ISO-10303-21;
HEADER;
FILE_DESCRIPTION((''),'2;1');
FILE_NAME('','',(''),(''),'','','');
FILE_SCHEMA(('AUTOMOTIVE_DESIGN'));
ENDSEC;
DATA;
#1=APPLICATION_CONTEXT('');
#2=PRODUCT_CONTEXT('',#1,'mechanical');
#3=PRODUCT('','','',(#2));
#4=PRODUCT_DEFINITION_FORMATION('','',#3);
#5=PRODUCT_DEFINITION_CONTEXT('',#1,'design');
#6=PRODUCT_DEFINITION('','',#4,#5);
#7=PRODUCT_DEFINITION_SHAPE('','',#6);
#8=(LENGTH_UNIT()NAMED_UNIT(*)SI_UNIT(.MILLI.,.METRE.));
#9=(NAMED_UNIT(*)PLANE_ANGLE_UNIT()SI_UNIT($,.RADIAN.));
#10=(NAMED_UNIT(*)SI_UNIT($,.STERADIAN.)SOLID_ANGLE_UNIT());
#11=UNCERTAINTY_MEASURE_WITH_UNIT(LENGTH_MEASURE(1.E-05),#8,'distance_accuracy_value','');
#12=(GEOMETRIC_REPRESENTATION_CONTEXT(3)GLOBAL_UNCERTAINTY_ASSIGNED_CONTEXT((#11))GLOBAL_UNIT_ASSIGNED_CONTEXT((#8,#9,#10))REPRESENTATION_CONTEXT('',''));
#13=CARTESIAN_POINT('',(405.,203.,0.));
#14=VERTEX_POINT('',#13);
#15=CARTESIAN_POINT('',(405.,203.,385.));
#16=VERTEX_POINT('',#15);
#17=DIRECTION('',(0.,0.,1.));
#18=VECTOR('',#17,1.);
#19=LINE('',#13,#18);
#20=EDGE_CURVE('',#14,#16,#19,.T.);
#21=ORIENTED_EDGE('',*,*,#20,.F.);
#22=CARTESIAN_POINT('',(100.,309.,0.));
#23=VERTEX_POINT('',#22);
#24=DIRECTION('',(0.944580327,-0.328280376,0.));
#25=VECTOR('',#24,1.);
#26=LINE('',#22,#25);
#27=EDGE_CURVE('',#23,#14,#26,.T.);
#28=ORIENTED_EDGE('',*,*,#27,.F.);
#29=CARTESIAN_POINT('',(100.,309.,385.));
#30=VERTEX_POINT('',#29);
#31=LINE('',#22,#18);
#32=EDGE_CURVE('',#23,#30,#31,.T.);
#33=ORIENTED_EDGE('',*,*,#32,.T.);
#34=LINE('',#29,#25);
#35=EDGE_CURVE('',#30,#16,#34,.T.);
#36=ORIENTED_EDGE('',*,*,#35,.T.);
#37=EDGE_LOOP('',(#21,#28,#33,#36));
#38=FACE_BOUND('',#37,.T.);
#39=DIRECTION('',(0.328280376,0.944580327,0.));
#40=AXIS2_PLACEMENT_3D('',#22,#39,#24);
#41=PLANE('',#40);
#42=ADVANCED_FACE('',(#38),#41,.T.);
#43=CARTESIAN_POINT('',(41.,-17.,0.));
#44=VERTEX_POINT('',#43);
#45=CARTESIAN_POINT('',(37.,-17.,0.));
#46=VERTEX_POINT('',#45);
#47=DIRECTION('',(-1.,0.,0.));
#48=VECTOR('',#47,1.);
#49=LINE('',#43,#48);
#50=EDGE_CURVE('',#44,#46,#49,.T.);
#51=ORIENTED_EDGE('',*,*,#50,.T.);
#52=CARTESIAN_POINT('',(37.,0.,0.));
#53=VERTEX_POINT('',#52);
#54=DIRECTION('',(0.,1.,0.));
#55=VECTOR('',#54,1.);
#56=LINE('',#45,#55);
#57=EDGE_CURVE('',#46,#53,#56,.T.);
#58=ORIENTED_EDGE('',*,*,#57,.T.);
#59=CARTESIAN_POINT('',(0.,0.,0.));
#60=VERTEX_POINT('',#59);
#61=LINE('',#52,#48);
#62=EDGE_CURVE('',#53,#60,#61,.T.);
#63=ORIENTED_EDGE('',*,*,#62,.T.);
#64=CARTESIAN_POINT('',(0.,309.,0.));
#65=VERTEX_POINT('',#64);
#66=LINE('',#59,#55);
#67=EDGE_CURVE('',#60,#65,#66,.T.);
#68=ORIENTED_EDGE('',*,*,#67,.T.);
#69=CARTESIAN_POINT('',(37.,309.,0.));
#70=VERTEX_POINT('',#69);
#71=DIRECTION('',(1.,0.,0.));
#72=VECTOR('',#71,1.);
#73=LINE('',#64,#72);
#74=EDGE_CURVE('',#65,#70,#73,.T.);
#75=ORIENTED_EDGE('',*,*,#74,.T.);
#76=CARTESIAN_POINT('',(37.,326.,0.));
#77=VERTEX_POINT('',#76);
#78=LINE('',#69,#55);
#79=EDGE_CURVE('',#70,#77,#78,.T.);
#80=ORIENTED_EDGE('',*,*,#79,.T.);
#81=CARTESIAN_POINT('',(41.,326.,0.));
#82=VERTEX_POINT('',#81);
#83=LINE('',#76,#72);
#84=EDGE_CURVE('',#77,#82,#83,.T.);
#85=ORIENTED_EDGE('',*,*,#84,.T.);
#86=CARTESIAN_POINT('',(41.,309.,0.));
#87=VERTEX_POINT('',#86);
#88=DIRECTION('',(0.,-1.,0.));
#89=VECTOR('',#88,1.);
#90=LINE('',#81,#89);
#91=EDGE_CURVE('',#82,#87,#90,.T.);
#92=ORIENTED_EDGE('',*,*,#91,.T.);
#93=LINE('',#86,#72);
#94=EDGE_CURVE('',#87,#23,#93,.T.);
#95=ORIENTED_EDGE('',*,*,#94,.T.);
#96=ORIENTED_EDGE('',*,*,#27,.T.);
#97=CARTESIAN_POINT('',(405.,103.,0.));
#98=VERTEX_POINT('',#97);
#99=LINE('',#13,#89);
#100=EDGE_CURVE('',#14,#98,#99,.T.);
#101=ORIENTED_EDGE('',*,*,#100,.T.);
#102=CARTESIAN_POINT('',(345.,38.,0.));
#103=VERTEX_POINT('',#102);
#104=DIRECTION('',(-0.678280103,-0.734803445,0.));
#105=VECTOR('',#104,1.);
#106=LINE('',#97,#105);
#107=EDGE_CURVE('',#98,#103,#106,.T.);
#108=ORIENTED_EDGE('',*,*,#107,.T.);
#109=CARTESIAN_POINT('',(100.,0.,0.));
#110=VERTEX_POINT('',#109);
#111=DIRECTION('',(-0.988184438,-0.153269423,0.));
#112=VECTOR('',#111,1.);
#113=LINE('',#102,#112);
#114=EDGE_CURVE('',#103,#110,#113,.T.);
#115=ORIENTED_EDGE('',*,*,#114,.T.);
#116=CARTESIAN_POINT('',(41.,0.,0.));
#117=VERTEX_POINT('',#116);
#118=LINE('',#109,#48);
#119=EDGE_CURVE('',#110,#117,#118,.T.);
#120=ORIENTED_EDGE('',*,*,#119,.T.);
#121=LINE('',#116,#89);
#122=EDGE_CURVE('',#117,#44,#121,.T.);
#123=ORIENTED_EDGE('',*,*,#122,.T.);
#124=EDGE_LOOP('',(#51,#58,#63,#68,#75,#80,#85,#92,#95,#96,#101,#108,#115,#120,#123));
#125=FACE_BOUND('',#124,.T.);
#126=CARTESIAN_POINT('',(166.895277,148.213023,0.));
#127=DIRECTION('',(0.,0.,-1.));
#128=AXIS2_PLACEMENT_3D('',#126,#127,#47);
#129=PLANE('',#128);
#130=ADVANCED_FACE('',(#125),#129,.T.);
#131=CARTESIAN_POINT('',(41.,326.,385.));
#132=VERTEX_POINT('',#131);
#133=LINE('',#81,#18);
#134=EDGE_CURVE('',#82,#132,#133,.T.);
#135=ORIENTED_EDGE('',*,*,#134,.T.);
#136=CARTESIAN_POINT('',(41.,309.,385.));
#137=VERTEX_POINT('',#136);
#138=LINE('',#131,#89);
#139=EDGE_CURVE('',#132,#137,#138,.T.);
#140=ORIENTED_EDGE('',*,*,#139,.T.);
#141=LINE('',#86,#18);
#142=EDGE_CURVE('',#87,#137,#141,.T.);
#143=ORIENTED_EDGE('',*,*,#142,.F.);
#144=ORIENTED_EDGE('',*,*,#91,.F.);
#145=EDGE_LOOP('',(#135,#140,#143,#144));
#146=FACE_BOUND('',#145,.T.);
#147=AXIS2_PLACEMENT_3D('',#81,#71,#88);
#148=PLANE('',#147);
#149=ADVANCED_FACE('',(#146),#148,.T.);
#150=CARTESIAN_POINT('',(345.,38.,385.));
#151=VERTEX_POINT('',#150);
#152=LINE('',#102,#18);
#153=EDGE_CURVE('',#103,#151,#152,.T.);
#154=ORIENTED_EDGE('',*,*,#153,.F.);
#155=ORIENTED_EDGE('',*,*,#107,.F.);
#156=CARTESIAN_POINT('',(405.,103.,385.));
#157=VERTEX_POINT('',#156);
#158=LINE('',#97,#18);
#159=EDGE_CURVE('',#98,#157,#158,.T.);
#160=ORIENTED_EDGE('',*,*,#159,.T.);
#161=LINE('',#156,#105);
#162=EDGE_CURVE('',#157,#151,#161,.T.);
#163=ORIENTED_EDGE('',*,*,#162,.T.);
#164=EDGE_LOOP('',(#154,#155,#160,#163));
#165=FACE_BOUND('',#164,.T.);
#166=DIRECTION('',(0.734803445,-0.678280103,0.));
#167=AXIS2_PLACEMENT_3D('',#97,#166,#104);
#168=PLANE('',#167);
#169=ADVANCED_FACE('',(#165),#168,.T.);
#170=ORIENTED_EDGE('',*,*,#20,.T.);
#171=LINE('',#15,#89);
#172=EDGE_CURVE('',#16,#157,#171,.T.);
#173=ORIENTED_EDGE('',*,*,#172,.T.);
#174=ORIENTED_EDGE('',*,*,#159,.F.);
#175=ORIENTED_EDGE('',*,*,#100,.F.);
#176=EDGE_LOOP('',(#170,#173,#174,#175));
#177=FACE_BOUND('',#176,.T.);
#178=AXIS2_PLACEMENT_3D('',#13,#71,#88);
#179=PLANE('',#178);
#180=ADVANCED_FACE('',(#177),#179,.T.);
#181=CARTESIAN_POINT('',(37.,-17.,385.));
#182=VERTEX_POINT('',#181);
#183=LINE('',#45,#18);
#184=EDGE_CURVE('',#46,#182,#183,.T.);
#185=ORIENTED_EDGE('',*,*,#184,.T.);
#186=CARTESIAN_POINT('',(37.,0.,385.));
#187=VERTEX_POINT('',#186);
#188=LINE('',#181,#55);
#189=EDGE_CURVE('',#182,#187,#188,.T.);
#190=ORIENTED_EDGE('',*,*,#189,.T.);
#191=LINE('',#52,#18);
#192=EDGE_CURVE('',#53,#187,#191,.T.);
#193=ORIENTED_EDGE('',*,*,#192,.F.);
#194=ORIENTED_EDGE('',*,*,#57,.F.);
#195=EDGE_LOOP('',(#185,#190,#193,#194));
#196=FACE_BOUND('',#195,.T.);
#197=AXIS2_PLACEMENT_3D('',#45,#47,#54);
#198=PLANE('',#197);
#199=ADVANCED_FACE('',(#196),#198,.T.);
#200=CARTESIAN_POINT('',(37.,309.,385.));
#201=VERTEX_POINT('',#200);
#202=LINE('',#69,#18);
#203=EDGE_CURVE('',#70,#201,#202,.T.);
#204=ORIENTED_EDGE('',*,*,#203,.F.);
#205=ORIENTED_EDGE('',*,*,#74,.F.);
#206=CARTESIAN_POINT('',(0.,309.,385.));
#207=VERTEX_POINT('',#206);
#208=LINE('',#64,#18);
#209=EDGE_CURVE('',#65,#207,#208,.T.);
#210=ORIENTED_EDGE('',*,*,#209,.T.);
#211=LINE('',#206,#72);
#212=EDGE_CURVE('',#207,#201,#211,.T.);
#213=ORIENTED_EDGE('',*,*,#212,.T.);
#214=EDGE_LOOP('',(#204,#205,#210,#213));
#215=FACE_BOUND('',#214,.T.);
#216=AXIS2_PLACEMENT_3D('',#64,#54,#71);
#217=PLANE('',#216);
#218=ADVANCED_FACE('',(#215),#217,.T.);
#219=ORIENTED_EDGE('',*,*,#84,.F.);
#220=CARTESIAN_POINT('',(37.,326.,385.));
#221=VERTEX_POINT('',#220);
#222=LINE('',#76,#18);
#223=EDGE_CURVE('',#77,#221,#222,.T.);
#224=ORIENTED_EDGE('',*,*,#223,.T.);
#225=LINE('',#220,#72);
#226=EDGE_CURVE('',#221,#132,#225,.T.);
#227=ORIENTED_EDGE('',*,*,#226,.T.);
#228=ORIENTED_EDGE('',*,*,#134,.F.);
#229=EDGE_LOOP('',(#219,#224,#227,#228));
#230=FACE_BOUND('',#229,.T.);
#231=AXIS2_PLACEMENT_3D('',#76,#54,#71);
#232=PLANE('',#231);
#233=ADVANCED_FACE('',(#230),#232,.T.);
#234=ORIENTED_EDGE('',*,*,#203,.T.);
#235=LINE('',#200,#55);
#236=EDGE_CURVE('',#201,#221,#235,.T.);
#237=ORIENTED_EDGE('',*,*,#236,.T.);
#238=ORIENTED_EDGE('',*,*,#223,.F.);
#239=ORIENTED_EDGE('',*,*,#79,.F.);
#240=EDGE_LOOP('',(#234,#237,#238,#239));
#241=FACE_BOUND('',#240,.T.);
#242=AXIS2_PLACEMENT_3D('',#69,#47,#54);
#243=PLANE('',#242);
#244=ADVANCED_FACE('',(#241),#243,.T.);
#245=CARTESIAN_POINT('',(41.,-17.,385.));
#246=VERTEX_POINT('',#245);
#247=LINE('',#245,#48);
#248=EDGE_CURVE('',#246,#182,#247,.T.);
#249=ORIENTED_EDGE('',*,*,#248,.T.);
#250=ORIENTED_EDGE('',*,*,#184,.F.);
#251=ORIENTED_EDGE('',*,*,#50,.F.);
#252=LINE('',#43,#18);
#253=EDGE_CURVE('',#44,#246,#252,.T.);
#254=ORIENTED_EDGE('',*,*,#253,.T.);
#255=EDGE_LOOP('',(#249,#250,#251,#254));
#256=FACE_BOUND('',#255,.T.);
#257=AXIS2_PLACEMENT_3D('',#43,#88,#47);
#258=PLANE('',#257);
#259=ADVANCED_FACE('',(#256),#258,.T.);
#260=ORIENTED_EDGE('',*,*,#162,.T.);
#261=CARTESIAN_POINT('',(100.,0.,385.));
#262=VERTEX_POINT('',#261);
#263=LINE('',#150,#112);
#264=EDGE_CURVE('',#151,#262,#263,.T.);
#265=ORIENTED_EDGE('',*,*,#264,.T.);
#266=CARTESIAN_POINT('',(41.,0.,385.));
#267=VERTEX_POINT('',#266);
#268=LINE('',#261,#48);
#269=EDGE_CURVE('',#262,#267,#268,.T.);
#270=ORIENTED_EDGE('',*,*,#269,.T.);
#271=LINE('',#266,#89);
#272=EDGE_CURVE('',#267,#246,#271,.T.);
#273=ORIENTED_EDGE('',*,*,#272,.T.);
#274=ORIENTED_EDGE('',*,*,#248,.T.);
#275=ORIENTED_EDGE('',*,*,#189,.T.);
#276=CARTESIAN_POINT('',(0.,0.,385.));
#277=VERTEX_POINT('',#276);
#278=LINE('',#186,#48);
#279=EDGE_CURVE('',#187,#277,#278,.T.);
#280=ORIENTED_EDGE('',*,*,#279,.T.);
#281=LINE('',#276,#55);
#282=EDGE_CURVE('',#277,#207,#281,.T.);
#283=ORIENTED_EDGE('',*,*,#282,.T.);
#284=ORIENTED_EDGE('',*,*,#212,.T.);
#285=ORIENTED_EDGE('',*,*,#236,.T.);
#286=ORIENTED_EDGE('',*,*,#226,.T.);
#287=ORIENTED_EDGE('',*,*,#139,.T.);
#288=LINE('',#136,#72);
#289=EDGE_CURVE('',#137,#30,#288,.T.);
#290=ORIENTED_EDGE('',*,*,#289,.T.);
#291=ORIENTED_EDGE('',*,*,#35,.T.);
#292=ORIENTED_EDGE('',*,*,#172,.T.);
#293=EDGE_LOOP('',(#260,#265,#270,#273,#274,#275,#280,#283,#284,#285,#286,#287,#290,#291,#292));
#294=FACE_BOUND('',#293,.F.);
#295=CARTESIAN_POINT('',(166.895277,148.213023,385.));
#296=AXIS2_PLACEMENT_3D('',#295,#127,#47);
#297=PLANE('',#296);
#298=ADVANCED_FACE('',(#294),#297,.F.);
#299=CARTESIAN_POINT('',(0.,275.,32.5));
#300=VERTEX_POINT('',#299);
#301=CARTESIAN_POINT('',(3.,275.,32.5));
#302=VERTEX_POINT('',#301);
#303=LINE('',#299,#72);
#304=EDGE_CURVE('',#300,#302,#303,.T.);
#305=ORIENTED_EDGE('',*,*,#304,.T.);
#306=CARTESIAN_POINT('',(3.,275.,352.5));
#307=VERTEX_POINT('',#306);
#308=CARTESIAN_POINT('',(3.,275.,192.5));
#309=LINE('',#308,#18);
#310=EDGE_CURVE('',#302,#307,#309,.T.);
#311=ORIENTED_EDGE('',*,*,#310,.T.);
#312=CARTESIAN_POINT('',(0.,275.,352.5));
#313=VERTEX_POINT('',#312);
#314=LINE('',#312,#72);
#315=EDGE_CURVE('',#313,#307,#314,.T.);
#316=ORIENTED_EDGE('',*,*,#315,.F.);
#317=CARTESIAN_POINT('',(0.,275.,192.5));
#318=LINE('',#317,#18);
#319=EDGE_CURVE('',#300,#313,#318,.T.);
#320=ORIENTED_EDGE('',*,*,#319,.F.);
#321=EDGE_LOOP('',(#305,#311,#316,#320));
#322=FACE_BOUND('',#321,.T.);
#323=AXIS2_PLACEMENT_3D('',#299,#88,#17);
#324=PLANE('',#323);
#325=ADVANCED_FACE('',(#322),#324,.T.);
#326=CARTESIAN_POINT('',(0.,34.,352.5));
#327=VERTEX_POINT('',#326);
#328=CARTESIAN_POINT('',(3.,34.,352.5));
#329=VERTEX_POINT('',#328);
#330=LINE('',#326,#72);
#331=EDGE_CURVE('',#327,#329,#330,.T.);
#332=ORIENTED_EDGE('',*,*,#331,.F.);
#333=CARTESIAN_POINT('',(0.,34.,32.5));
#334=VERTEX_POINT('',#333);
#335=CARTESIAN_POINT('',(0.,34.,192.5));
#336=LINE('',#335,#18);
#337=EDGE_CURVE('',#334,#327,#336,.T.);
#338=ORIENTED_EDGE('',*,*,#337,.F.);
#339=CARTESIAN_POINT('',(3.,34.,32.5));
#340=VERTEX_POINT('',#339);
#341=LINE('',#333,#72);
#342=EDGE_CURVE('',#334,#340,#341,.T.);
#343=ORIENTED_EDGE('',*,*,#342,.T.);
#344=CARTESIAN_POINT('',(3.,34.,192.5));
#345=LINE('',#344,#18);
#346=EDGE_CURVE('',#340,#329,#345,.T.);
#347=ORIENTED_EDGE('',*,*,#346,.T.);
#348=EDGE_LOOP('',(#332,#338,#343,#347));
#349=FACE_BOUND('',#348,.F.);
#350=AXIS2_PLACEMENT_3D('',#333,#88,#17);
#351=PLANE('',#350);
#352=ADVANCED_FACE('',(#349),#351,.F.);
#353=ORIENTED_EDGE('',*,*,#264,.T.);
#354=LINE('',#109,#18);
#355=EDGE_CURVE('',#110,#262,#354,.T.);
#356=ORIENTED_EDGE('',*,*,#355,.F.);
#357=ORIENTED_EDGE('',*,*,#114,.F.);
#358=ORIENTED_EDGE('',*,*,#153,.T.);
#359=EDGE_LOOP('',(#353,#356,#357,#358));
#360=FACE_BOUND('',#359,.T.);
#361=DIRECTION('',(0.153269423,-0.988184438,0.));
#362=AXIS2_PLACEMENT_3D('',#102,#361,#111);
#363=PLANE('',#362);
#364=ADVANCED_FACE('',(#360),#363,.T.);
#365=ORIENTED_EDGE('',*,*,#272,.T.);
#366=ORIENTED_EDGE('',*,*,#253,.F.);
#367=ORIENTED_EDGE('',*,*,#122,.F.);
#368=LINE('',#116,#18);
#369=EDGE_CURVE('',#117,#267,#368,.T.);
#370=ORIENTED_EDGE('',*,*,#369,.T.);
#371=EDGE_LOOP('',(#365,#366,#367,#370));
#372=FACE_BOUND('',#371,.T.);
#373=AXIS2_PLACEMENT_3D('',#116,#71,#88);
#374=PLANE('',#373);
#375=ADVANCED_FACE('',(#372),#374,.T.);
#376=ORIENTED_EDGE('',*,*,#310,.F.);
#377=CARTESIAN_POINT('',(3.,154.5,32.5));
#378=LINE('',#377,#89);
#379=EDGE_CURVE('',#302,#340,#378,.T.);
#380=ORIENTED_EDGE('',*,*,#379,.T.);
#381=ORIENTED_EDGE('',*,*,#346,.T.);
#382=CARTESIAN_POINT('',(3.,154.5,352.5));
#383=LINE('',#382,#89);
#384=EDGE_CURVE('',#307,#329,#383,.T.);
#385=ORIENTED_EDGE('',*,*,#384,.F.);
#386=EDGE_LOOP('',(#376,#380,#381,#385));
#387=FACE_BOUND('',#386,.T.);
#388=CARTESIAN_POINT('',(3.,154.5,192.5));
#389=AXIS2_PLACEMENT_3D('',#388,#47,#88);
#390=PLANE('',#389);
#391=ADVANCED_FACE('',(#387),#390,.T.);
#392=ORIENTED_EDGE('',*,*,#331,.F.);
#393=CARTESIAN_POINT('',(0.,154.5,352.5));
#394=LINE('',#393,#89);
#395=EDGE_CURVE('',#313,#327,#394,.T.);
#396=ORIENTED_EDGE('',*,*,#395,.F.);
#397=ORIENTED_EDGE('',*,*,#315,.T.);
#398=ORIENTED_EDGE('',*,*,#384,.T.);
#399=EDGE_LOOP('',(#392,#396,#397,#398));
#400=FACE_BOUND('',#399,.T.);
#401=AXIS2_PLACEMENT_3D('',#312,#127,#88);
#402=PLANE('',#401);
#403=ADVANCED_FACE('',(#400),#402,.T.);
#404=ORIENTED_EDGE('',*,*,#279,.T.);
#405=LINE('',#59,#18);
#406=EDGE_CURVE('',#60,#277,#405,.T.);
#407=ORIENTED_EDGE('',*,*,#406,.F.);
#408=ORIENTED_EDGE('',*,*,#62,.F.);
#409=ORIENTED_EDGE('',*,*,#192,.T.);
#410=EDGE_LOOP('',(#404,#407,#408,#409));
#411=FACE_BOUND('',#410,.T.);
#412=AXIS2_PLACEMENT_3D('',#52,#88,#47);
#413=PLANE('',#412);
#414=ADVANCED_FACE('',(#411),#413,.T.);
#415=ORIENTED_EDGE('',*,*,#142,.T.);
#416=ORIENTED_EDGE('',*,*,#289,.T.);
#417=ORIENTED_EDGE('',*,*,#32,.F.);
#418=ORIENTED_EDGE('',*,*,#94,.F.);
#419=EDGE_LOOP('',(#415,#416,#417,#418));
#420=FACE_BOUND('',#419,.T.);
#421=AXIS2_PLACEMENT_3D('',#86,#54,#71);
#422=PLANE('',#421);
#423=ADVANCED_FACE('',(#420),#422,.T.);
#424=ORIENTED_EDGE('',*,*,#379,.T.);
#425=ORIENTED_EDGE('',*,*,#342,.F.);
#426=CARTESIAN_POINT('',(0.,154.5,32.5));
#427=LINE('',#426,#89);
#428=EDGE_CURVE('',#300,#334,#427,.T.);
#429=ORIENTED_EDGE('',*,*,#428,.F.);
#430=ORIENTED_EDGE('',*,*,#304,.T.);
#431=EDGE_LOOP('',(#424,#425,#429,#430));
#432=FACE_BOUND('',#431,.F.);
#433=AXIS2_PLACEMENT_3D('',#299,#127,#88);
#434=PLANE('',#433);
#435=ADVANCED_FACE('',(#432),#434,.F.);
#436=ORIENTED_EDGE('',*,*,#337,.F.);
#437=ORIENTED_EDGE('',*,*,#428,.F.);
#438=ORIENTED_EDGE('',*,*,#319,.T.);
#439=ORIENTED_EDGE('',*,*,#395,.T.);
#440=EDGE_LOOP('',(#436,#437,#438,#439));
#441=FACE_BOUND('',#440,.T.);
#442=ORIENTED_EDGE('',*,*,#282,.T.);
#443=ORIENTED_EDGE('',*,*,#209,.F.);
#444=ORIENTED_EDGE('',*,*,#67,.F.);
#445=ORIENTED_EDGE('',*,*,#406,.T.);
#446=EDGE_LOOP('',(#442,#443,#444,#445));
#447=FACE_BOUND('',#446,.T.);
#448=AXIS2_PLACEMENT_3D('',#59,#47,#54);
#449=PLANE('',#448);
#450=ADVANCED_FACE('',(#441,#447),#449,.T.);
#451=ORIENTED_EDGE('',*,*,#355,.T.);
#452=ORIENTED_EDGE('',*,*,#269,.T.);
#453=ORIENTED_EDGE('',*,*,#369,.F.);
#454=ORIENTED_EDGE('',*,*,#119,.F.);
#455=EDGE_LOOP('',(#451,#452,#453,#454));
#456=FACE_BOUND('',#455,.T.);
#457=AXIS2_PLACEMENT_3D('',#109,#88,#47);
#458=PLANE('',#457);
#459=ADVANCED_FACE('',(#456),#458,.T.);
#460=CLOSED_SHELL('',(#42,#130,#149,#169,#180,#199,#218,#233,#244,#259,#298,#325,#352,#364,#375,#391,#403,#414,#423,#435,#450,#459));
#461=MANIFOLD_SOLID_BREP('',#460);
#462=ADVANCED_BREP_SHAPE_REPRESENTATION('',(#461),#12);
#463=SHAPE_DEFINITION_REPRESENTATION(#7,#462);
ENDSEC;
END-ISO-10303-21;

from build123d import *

# Parameters (mm, degrees)
PAD_DEPTH    = 385
SKETCH001_W  = 241
SKETCH001_H  = 320
POCKET_DEPTH = 3


with BuildPart() as part:
    # Sketch → Pad (new body)
    with BuildSketch(Plane.XY):
        Polygon((0, 0), (0, 309), (37, 309), (37, 326), (41, 326), (41, 309), (100, 309), (405, 203), (405, 103), (345, 38), (100, 0), (41, 0), (41, -17), (37, -17), (37, 0), align=None)
    extrude(amount=PAD_DEPTH)

    # Sketch001 (on Face1 of Pad) → Pocket (cut)
    with BuildSketch(Plane(origin=(0, 0, 0), x_dir=(0, -1, 0), z_dir=(-1, 0, 0))):
        with Locations((-154.5, 192.5)):
            Rectangle(SKETCH001_W, SKETCH001_H)
    extrude(amount=-POCKET_DEPTH, mode=Mode.SUBTRACT)


solid = part.part
